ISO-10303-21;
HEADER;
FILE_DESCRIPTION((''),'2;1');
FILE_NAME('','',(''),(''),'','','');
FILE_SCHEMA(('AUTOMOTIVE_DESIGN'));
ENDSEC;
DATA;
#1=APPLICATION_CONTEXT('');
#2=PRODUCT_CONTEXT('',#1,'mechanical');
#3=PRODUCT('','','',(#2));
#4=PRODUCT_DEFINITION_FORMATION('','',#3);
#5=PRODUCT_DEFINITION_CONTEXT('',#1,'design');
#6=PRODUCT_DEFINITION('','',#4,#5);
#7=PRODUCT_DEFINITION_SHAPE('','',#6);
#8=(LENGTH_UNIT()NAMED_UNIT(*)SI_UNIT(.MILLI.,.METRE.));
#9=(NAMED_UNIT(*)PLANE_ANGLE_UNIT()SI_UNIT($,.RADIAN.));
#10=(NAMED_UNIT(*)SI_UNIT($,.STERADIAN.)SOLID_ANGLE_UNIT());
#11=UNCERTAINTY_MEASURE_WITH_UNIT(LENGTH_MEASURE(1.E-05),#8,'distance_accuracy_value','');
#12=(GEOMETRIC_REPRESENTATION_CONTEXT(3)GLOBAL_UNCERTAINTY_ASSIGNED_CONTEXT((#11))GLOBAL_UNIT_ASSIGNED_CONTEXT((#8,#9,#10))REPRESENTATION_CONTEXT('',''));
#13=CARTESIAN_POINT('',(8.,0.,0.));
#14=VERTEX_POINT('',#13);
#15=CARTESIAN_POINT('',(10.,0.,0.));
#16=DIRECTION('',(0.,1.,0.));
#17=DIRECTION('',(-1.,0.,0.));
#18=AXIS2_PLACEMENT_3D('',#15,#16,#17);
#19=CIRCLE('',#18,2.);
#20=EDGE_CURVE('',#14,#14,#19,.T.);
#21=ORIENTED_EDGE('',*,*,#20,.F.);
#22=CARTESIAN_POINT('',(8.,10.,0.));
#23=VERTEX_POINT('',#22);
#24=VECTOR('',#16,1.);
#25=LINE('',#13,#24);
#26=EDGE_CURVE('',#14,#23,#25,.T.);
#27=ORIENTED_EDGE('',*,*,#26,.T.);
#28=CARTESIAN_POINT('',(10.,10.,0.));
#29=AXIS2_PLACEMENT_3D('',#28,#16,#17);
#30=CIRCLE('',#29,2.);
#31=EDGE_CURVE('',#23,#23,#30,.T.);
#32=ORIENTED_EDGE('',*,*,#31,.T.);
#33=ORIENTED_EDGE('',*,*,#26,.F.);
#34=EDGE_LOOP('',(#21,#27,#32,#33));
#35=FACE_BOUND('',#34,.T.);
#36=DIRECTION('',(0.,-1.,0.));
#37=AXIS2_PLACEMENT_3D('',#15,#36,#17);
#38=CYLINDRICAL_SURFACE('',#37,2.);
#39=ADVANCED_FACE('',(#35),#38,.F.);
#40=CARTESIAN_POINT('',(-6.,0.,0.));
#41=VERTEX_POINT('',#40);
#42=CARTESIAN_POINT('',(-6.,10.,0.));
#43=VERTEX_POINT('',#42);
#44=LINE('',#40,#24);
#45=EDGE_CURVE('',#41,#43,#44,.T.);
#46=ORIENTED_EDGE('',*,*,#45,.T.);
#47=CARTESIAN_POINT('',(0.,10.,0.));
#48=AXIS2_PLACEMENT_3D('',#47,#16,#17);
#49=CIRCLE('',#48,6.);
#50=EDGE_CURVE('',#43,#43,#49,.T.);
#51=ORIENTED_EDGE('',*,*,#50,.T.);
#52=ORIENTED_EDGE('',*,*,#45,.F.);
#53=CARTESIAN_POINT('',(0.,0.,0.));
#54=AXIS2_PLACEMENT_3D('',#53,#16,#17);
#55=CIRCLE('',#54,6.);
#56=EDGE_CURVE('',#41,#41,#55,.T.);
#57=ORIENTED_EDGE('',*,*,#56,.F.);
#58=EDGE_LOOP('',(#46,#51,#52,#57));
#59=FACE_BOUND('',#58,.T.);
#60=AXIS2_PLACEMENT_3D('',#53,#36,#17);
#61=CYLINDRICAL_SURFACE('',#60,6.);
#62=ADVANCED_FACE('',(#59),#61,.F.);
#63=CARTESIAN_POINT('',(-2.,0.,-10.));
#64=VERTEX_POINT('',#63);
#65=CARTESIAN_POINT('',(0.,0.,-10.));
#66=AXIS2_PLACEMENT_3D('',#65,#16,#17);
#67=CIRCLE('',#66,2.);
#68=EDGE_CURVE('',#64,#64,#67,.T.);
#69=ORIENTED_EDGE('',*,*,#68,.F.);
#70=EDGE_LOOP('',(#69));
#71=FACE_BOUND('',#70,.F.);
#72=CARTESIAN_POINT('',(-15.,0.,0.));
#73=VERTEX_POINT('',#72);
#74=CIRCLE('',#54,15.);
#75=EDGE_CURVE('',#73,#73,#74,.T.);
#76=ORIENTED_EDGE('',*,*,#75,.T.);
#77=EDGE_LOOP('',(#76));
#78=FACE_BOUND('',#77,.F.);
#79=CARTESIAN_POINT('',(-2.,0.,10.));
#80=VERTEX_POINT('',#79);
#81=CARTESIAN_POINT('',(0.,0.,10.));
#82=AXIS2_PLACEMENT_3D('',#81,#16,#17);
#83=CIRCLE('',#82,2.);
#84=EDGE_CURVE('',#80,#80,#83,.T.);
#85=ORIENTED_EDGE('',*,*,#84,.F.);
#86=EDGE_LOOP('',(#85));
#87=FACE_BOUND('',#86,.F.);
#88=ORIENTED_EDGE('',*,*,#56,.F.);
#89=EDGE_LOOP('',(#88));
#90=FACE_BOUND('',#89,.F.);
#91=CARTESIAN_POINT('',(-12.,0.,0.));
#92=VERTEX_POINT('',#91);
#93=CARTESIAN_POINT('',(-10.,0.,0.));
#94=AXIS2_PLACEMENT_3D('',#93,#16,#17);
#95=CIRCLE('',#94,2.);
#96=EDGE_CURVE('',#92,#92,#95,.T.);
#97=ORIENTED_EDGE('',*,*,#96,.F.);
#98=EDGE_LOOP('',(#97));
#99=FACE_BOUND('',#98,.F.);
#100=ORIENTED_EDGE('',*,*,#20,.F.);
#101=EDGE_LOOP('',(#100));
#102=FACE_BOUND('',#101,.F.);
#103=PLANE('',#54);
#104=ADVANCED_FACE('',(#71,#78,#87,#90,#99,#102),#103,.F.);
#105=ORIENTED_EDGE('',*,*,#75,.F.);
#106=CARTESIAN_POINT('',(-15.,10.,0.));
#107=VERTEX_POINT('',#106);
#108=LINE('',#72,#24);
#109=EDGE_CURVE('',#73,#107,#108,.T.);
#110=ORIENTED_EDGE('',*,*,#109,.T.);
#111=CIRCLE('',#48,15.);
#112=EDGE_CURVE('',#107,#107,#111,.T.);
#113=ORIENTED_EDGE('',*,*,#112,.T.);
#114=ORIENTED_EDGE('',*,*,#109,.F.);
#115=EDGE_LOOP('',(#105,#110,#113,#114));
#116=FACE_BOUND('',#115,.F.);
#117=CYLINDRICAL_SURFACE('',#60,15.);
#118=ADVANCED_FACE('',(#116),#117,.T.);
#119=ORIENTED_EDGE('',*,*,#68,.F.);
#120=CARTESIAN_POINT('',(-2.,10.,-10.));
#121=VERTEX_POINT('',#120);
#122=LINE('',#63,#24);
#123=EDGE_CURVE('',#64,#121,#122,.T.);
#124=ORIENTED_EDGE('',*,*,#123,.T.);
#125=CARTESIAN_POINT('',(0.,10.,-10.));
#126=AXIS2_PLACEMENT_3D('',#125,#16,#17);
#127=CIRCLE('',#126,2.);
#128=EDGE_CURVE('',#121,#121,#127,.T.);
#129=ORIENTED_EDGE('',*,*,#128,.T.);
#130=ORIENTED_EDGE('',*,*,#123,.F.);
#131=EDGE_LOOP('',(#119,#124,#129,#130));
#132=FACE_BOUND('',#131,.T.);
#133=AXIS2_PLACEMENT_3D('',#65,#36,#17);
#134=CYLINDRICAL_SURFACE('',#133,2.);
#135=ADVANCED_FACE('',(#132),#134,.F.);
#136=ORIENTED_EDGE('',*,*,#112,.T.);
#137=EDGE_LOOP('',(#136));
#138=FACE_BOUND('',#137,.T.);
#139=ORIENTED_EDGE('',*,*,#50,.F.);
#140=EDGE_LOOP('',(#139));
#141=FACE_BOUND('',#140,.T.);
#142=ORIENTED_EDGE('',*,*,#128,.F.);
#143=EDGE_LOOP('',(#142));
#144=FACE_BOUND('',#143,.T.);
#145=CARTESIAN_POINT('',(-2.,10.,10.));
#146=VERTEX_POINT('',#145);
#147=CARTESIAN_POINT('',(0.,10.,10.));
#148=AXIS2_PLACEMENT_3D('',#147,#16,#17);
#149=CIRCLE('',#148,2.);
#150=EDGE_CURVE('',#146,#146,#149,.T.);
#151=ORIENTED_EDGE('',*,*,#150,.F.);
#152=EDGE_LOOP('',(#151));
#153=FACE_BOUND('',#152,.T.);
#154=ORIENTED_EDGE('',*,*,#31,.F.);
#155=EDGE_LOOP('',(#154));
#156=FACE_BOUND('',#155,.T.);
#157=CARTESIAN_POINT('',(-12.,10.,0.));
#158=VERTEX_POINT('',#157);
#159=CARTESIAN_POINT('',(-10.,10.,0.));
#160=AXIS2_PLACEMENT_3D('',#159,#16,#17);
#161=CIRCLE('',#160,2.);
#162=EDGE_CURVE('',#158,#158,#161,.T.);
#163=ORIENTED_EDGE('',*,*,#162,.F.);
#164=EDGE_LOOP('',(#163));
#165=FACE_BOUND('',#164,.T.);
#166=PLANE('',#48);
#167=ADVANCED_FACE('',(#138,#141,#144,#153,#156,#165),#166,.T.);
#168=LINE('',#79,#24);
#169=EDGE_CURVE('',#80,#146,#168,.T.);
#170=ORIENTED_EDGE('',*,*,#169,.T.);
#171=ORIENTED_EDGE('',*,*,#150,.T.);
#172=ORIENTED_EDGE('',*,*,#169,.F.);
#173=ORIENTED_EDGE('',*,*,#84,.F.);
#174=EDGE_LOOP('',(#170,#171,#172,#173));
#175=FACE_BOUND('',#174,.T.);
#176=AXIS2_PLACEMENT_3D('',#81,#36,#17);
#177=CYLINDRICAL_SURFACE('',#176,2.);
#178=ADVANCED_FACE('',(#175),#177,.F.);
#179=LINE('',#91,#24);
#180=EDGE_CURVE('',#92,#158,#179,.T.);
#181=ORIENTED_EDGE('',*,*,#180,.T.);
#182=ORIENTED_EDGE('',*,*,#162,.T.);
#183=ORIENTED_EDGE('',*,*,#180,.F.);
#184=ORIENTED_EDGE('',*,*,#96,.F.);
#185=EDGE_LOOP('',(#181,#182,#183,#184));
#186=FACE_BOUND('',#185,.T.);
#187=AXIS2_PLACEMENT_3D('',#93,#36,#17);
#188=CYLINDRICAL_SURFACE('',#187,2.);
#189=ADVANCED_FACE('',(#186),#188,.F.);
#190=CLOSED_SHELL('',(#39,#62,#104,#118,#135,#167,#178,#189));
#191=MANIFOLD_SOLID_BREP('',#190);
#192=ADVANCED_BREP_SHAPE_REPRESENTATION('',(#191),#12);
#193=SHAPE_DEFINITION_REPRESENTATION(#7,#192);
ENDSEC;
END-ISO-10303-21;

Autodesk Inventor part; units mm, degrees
ref_plane "YZ Plane" through (0, 0, 0) normal (1, 0, 0) x (0, 1, 0)
ref_plane "XZ Plane" through (0, 0, 0) normal (0, 1, 0) x (-1, 0, 0)
ref_plane "XY Plane" through (0, 0, 0) normal (0, 0, 1) x (1, 0, 0)
sketch "Sketch1" plane through (0, 0, 0) normal (0, 1, 0) x (-1, 0, 0)
  circle A0 centre (0, 0) radius 15
  circle A1 centre (10, 0) radius 2
  circle A2 centre (0, -10) radius 2
  circle A3 centre (-10, 0) radius 2
  circle A4 centre (0, 10) radius 2
  circle A5 centre (0, 0) radius 6
  dimension "d0" = 30
  dimension "d2" = 4
  dimension "d3" = 4
  dimension "d4" = 4
  dimension "d5" = 4
  dimension "d6" = 12
extrude "Extrusion1" add sketch "Sketch1" along normal blind 10
properties part number "Bearing"
